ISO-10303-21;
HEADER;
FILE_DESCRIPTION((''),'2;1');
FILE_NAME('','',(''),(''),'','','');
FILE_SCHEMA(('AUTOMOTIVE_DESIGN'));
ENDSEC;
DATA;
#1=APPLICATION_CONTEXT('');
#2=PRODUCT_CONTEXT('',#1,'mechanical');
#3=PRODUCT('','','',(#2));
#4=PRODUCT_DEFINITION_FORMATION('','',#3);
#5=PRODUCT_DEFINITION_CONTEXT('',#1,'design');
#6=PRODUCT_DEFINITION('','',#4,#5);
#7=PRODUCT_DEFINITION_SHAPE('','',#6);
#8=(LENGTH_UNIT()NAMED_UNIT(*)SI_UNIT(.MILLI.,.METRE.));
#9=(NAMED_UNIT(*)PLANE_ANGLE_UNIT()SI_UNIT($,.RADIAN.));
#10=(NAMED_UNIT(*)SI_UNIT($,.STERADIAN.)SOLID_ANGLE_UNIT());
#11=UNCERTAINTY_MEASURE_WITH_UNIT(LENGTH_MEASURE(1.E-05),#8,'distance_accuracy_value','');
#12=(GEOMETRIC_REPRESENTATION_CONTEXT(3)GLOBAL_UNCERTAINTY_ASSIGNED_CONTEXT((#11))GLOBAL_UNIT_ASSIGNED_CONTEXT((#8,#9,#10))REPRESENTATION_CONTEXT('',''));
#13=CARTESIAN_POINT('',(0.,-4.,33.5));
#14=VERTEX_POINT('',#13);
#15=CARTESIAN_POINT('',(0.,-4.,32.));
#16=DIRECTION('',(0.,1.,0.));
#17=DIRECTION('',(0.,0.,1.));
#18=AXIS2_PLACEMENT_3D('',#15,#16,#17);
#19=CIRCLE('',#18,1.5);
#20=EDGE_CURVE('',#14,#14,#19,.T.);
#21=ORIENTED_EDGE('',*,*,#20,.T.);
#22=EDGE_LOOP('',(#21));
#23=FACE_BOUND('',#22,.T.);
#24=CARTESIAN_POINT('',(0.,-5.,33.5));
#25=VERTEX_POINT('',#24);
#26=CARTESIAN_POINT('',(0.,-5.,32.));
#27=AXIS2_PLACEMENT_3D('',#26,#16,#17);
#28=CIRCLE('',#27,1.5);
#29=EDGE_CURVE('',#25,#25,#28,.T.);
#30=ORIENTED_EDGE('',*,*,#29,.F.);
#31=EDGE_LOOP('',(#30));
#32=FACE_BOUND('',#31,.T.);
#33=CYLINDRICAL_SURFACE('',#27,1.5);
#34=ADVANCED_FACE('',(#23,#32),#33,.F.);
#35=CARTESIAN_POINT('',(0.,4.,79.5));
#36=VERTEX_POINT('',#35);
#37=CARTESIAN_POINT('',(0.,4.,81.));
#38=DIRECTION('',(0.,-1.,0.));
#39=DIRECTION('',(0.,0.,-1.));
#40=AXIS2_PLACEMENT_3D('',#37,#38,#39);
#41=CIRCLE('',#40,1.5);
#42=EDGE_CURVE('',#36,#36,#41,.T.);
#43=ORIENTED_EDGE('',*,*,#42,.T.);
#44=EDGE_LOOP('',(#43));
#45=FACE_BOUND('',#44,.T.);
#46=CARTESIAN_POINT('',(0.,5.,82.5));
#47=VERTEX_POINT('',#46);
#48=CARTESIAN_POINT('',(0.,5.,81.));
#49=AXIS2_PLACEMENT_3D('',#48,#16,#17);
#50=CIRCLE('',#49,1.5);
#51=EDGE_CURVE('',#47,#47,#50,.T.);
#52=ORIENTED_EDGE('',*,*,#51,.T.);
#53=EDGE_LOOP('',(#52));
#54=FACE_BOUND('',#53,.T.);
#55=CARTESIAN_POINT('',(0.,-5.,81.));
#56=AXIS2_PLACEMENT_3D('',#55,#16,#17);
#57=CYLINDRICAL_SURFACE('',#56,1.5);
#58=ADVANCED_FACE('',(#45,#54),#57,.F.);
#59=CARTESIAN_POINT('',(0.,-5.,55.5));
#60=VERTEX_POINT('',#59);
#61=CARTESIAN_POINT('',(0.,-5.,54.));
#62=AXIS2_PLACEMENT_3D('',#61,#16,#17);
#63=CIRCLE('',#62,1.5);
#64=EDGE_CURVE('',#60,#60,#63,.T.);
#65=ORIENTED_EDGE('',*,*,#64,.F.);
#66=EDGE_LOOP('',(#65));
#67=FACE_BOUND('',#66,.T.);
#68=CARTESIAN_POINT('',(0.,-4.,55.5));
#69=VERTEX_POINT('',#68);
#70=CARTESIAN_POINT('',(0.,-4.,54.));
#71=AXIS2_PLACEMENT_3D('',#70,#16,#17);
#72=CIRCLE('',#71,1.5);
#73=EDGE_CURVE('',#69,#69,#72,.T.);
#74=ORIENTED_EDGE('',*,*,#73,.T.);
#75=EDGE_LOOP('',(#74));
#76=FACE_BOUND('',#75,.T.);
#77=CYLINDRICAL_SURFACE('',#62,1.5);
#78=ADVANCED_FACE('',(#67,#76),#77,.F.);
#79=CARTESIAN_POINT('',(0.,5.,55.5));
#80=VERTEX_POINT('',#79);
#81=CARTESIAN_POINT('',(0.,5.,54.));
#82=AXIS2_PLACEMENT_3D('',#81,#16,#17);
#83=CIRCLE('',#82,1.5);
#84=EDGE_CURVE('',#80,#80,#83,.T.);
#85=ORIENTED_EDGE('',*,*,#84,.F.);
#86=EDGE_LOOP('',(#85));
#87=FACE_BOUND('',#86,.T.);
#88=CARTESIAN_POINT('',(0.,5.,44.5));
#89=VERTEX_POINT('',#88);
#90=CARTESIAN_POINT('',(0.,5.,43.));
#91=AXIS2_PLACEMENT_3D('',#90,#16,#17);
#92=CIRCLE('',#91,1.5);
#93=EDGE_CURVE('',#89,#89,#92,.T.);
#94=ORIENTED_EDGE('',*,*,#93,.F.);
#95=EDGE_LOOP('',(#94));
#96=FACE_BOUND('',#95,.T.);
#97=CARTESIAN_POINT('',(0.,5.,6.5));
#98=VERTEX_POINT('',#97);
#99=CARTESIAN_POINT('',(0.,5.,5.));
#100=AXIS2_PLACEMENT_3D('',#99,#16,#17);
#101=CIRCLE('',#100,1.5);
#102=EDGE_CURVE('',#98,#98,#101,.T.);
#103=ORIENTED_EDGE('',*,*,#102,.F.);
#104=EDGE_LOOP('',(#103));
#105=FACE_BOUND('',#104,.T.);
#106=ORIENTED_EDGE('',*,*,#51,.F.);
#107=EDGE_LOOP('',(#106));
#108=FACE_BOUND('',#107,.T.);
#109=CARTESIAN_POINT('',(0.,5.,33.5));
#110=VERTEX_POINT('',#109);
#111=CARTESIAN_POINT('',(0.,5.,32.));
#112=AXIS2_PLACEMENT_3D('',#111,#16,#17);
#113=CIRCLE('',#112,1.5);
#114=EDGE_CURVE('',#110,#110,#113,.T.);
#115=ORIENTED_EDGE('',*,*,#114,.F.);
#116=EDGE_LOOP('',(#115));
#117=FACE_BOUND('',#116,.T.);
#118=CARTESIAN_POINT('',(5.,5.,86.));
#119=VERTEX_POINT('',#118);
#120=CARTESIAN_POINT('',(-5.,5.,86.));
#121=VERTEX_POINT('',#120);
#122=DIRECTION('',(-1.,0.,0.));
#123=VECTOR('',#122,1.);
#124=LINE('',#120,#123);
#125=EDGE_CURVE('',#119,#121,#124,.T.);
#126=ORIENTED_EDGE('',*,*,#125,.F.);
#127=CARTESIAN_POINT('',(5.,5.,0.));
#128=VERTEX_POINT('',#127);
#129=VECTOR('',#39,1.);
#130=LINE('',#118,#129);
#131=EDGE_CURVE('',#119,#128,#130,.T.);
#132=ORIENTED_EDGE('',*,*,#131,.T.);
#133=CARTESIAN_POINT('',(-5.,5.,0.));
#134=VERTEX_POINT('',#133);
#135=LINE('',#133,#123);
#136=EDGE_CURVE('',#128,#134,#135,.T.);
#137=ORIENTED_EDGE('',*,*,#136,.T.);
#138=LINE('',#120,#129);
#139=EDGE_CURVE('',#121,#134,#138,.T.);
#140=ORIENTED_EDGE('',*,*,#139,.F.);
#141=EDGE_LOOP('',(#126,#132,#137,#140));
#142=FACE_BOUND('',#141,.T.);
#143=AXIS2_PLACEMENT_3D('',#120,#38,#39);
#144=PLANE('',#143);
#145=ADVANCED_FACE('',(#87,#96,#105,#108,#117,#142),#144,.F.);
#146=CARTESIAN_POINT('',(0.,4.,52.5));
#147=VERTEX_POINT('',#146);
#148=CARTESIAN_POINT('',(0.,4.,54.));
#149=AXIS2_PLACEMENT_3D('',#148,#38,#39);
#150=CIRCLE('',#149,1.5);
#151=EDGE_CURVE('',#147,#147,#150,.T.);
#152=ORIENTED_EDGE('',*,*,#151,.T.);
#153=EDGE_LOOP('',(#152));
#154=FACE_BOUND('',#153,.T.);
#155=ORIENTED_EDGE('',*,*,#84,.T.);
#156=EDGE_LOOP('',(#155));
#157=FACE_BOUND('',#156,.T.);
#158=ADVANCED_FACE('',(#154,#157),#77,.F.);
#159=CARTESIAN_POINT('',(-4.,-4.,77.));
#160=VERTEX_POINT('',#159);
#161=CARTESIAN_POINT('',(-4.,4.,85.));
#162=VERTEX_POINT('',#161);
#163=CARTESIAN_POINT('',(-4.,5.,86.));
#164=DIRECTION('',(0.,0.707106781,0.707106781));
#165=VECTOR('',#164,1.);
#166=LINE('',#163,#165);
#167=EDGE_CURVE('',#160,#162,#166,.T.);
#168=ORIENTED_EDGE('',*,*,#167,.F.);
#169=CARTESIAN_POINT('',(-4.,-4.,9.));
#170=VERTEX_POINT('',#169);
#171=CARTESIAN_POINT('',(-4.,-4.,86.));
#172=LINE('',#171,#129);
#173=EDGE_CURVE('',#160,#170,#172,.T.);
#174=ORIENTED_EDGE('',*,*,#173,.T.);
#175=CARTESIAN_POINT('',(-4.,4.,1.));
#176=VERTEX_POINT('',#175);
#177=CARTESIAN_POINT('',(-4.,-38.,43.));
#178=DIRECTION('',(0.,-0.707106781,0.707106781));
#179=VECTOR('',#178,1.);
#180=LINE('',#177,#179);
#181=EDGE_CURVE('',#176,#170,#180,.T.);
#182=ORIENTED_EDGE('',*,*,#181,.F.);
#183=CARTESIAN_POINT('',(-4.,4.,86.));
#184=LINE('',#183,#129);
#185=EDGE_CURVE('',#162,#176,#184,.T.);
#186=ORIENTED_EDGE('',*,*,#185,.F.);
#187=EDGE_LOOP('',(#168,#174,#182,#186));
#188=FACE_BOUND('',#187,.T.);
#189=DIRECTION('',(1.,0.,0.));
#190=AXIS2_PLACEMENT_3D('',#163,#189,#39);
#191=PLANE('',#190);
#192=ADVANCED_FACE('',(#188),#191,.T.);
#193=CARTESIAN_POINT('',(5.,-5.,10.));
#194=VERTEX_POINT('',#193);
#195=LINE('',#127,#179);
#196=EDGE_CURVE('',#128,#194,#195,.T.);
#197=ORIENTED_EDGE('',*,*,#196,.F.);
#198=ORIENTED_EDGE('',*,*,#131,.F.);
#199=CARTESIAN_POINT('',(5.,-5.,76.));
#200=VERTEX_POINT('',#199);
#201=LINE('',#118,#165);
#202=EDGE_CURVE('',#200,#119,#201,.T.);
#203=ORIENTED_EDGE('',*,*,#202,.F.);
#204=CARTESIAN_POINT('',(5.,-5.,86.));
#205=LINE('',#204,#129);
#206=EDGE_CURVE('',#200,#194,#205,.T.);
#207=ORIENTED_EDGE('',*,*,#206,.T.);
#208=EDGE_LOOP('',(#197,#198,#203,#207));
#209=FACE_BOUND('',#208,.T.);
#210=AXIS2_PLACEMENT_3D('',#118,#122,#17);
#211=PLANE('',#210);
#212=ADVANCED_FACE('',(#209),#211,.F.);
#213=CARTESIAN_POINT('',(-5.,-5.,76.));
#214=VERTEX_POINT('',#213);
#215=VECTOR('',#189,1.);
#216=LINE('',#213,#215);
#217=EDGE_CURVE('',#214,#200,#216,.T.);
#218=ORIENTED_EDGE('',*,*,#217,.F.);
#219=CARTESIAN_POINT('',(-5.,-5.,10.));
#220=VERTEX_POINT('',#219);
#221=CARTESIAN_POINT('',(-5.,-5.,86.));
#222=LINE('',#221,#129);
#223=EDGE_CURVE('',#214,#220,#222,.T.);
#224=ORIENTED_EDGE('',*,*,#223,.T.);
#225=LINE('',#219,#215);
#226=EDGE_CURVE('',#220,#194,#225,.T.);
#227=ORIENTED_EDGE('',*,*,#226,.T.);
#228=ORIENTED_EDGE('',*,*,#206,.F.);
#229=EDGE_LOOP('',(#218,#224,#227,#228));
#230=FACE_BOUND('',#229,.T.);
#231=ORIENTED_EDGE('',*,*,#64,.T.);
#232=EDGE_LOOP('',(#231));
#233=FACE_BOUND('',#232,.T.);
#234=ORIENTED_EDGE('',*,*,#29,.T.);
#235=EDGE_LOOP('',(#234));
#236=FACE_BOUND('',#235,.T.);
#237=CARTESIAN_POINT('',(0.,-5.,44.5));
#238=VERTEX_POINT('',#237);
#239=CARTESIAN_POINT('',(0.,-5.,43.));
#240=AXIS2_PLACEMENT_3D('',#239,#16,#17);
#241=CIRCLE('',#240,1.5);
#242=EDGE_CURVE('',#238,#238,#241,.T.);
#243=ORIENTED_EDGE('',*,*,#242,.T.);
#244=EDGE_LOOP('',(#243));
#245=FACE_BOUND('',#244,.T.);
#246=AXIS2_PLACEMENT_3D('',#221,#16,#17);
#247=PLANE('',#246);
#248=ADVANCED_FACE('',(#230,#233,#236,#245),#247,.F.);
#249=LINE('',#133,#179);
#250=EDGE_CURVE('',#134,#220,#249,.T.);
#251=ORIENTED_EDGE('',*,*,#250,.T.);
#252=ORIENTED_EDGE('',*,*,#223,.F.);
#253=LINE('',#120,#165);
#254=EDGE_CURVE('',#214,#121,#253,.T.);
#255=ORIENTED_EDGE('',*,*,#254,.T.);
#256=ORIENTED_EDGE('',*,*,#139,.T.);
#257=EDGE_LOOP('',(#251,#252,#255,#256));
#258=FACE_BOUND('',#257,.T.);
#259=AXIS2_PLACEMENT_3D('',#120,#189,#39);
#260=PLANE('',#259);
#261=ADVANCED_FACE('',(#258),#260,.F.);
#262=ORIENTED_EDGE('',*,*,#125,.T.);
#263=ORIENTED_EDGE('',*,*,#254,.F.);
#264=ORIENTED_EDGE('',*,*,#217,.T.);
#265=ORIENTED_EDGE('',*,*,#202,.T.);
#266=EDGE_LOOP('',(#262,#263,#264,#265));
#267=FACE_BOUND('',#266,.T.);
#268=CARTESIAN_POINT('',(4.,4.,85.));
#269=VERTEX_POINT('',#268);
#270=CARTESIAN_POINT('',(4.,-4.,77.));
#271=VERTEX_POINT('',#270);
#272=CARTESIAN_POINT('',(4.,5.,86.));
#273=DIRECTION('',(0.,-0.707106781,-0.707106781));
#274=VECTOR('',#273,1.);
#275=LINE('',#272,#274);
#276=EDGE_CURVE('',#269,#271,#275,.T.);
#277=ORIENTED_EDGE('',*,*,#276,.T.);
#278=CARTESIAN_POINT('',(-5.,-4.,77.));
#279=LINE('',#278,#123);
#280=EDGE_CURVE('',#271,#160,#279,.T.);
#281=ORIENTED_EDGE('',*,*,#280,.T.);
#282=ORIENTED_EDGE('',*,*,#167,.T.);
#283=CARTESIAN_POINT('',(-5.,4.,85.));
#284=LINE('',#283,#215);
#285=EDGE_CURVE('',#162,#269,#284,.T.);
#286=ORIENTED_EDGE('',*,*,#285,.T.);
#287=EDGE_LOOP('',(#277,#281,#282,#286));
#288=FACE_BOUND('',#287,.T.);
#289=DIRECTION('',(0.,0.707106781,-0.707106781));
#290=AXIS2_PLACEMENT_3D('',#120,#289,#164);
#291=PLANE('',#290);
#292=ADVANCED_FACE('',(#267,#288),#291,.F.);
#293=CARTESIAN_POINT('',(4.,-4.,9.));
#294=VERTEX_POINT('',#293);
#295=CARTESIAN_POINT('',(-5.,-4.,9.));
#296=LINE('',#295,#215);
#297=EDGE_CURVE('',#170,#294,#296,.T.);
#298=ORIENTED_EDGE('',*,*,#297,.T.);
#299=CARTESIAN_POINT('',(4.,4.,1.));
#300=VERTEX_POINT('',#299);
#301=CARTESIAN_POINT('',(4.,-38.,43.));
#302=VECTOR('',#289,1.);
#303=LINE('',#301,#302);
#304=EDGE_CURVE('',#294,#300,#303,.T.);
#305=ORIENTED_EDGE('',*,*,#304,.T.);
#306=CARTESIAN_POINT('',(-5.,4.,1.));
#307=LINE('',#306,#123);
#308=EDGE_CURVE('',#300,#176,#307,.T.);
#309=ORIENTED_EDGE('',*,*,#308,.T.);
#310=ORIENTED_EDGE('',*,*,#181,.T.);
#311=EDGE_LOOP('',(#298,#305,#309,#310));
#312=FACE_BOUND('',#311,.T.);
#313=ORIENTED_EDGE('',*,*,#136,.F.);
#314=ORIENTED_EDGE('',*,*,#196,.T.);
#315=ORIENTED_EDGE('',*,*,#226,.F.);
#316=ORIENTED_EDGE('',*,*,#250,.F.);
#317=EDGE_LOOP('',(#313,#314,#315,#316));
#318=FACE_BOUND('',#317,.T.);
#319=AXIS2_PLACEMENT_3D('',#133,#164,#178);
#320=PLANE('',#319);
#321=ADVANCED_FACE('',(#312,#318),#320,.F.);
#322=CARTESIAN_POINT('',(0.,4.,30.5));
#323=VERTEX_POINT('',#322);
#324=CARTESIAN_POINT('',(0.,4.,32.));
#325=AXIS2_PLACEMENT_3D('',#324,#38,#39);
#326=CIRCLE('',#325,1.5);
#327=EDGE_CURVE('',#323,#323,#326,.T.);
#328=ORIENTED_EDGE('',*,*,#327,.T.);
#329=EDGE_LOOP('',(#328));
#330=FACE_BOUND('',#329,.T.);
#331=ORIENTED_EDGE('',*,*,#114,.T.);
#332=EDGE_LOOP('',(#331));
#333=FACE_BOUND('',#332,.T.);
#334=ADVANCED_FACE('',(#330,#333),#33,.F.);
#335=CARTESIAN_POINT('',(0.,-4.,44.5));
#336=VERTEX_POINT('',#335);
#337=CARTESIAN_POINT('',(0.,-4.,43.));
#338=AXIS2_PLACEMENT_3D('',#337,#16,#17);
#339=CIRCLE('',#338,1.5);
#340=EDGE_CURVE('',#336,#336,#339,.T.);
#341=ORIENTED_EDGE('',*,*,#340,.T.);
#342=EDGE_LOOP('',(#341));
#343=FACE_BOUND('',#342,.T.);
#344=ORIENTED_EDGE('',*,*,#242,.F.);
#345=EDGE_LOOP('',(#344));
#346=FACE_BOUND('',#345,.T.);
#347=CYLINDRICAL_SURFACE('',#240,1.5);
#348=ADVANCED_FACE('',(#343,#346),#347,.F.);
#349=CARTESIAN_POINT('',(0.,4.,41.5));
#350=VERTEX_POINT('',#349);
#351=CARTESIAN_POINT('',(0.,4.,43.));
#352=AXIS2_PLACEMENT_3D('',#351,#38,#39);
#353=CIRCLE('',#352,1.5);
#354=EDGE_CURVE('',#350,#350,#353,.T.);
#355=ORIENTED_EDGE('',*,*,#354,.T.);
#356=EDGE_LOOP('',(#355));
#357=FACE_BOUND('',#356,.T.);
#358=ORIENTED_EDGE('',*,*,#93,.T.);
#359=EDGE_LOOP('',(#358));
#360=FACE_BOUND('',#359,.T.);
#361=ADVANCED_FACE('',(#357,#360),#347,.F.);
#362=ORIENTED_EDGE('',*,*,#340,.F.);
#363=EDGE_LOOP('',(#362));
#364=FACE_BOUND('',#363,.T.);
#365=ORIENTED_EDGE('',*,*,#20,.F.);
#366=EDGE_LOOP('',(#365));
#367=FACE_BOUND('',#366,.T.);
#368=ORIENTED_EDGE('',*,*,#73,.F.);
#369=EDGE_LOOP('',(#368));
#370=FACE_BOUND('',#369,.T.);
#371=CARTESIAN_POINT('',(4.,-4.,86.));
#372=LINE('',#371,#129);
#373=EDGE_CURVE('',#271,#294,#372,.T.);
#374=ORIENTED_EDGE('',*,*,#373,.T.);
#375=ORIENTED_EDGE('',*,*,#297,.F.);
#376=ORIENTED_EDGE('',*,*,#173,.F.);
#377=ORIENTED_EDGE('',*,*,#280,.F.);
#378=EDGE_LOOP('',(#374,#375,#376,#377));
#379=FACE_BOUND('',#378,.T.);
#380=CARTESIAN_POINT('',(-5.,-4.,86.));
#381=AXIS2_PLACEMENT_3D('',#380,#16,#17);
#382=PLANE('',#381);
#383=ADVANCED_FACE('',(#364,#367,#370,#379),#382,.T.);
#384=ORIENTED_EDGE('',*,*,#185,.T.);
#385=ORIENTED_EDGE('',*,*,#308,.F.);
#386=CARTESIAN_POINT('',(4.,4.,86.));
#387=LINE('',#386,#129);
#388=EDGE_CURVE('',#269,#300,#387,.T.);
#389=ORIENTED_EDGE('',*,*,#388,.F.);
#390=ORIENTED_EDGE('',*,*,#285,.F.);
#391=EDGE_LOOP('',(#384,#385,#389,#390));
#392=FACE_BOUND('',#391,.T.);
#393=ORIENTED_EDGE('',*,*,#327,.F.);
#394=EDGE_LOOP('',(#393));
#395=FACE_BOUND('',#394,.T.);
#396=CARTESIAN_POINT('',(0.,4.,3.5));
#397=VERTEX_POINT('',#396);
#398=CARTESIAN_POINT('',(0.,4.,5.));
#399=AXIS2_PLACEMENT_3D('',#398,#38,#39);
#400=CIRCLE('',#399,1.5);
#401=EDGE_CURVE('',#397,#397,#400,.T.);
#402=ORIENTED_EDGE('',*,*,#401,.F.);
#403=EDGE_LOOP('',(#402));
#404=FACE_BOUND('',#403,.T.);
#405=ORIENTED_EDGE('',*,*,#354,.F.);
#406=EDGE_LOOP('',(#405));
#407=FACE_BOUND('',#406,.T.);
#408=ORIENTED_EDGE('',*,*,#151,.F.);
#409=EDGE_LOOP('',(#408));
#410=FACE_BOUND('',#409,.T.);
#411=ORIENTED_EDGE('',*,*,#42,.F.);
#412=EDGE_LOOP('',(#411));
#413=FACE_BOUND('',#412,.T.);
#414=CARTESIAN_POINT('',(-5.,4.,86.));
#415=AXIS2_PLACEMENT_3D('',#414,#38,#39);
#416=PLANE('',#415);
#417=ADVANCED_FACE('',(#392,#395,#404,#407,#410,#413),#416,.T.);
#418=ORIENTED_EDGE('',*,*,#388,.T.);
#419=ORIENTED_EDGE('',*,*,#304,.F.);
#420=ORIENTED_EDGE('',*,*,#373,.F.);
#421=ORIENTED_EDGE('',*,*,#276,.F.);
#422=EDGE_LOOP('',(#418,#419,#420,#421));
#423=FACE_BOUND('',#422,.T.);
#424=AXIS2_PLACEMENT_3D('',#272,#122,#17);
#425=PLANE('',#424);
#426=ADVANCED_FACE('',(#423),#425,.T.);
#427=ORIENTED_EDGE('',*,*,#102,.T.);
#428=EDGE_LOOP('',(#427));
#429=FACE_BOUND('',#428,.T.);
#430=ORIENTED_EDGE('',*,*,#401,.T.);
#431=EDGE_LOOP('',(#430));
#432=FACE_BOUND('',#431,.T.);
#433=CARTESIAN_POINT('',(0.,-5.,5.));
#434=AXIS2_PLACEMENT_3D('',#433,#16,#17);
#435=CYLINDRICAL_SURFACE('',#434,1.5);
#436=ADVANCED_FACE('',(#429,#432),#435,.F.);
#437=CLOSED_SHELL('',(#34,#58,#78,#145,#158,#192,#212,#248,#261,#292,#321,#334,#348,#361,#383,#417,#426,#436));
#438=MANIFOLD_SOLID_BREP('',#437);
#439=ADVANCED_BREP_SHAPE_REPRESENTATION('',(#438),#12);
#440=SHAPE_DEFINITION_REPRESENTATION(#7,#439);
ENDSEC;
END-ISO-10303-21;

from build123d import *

# Parameters (mm, degrees)
SKETCH_1_W          = 10
SKETCH_1_H          = 10
SKETCH_1_W_2        = 8
SKETCH_1_H_2        = 8
EXTRUDE_1_DEPTH     = 86
SKETCH_2_R          = 1.5
CUT_EXTRUDE_1_DEPTH = 11
CUT_EXTRUDE_2_DEPTH = 10


with BuildPart() as part:
    # 草图1 → 拉伸-薄壁1 (new body)
    with BuildSketch(Plane.XY):
        Rectangle(SKETCH_1_W, SKETCH_1_H)
        Rectangle(SKETCH_1_W_2, SKETCH_1_H_2, mode=Mode.SUBTRACT)
    extrude(amount=EXTRUDE_1_DEPTH)

    # 草图2 → 切除-拉伸1 (cut, through all)
    with BuildSketch(Plane(origin=(0, 5, 0), x_dir=(1, 0, 0), z_dir=(0, 1, 0))):
        with Locations((0, -54)):
            Circle(SKETCH_2_R)
        with Locations((0, -32)):
            Circle(SKETCH_2_R)
        with Locations((0, -43)):
            Circle(SKETCH_2_R)
        with Locations((0, -81)):
            Circle(SKETCH_2_R)
        with Locations((0, -5)):
            Circle(SKETCH_2_R)
    extrude(amount=-CUT_EXTRUDE_1_DEPTH, mode=Mode.SUBTRACT)

    # 草图3 → 切除-拉伸2 (cut)
    with BuildSketch(Plane(origin=(5, 0, 0), x_dir=(0, 0, -1), z_dir=(1, 0, 0))):
        Polygon((-86, 5), (-76, -5), (-86, -5), align=None)
        Polygon((0, 5), (-10, -5), (0, -5), align=None)
    extrude(amount=-CUT_EXTRUDE_2_DEPTH, mode=Mode.SUBTRACT)


solid = part.part
